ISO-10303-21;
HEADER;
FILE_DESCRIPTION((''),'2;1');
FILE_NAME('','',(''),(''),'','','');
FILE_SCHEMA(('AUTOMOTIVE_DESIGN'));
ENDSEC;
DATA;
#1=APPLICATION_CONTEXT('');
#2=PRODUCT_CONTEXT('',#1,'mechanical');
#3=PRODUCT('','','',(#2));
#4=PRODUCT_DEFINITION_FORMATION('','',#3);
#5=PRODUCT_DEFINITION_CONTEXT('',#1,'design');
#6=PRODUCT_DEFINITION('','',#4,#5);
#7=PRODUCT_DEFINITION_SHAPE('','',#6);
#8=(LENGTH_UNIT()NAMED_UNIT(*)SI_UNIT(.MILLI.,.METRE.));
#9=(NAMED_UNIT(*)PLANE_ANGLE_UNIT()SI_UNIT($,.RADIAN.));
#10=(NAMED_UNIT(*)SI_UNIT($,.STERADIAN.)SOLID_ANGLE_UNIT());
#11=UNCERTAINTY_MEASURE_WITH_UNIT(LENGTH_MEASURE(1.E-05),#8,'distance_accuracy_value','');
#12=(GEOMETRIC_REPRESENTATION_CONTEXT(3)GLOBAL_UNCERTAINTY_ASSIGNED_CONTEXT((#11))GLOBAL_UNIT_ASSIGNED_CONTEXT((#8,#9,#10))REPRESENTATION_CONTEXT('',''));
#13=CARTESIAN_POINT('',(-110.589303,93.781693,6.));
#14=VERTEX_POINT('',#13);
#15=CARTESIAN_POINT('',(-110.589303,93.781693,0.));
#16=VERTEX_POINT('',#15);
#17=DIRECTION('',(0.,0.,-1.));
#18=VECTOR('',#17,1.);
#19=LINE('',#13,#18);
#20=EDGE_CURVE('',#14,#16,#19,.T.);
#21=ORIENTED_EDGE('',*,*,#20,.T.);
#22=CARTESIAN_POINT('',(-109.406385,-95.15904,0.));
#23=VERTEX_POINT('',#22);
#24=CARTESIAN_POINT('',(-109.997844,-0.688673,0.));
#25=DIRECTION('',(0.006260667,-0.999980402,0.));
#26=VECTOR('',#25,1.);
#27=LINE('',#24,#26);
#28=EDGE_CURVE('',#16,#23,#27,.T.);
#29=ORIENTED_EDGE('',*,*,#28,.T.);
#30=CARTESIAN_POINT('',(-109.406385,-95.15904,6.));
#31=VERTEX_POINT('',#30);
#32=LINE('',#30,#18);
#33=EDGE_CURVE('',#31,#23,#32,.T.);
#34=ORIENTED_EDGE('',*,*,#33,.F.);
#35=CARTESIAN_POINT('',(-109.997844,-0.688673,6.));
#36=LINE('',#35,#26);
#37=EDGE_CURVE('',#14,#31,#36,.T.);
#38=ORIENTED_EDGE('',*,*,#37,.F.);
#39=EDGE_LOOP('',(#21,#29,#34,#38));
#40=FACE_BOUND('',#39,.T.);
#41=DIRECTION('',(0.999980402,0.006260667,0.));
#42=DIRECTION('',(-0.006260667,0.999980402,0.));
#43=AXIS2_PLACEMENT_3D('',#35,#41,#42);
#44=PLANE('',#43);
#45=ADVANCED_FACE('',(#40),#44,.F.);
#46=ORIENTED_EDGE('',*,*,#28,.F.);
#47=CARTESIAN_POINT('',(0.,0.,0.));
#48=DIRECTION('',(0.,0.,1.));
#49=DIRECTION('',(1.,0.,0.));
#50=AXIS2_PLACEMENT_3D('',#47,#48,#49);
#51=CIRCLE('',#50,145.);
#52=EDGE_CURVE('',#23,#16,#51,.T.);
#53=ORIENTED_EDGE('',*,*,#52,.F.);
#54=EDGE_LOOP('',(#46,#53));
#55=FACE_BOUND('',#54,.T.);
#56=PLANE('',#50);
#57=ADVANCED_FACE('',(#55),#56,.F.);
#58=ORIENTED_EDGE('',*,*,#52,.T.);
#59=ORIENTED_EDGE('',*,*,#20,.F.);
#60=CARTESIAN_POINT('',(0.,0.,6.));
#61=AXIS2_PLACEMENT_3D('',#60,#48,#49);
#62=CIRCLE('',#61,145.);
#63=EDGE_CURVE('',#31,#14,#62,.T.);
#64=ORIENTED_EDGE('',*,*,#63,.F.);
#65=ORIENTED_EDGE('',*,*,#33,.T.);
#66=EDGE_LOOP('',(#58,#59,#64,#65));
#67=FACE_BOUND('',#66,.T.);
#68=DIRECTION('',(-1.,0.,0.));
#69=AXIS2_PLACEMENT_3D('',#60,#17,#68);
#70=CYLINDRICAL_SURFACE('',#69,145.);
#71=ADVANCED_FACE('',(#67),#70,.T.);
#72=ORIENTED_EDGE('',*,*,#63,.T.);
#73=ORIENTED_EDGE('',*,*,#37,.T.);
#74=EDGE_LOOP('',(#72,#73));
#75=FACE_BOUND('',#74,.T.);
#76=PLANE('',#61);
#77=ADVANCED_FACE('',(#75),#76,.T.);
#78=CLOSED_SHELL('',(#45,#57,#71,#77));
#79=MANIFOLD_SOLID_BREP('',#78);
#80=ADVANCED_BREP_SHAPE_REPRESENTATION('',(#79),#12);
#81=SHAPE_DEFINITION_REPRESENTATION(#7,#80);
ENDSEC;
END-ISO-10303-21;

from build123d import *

# Parameters (mm, degrees)
BOSS_EXTRU_1_DEPTH = 6


with BuildPart() as part:
    # Esquisse1 → Boss.-Extru.1 (new body)
    with BuildSketch(Plane.XY):
        with BuildLine():
            ThreePointArc((145, 0), (49.947727788, 136.125767174), (-110.589303294, 93.781693294))
            Line((-110.589303294, 93.781693294), (-109.40638511, -95.159040018))
            ThreePointArc((-109.40638511, -95.159040018), (50.798986993, -135.810393271), (145, 0))
        make_face()
    extrude(amount=BOSS_EXTRU_1_DEPTH)


solid = part.part
